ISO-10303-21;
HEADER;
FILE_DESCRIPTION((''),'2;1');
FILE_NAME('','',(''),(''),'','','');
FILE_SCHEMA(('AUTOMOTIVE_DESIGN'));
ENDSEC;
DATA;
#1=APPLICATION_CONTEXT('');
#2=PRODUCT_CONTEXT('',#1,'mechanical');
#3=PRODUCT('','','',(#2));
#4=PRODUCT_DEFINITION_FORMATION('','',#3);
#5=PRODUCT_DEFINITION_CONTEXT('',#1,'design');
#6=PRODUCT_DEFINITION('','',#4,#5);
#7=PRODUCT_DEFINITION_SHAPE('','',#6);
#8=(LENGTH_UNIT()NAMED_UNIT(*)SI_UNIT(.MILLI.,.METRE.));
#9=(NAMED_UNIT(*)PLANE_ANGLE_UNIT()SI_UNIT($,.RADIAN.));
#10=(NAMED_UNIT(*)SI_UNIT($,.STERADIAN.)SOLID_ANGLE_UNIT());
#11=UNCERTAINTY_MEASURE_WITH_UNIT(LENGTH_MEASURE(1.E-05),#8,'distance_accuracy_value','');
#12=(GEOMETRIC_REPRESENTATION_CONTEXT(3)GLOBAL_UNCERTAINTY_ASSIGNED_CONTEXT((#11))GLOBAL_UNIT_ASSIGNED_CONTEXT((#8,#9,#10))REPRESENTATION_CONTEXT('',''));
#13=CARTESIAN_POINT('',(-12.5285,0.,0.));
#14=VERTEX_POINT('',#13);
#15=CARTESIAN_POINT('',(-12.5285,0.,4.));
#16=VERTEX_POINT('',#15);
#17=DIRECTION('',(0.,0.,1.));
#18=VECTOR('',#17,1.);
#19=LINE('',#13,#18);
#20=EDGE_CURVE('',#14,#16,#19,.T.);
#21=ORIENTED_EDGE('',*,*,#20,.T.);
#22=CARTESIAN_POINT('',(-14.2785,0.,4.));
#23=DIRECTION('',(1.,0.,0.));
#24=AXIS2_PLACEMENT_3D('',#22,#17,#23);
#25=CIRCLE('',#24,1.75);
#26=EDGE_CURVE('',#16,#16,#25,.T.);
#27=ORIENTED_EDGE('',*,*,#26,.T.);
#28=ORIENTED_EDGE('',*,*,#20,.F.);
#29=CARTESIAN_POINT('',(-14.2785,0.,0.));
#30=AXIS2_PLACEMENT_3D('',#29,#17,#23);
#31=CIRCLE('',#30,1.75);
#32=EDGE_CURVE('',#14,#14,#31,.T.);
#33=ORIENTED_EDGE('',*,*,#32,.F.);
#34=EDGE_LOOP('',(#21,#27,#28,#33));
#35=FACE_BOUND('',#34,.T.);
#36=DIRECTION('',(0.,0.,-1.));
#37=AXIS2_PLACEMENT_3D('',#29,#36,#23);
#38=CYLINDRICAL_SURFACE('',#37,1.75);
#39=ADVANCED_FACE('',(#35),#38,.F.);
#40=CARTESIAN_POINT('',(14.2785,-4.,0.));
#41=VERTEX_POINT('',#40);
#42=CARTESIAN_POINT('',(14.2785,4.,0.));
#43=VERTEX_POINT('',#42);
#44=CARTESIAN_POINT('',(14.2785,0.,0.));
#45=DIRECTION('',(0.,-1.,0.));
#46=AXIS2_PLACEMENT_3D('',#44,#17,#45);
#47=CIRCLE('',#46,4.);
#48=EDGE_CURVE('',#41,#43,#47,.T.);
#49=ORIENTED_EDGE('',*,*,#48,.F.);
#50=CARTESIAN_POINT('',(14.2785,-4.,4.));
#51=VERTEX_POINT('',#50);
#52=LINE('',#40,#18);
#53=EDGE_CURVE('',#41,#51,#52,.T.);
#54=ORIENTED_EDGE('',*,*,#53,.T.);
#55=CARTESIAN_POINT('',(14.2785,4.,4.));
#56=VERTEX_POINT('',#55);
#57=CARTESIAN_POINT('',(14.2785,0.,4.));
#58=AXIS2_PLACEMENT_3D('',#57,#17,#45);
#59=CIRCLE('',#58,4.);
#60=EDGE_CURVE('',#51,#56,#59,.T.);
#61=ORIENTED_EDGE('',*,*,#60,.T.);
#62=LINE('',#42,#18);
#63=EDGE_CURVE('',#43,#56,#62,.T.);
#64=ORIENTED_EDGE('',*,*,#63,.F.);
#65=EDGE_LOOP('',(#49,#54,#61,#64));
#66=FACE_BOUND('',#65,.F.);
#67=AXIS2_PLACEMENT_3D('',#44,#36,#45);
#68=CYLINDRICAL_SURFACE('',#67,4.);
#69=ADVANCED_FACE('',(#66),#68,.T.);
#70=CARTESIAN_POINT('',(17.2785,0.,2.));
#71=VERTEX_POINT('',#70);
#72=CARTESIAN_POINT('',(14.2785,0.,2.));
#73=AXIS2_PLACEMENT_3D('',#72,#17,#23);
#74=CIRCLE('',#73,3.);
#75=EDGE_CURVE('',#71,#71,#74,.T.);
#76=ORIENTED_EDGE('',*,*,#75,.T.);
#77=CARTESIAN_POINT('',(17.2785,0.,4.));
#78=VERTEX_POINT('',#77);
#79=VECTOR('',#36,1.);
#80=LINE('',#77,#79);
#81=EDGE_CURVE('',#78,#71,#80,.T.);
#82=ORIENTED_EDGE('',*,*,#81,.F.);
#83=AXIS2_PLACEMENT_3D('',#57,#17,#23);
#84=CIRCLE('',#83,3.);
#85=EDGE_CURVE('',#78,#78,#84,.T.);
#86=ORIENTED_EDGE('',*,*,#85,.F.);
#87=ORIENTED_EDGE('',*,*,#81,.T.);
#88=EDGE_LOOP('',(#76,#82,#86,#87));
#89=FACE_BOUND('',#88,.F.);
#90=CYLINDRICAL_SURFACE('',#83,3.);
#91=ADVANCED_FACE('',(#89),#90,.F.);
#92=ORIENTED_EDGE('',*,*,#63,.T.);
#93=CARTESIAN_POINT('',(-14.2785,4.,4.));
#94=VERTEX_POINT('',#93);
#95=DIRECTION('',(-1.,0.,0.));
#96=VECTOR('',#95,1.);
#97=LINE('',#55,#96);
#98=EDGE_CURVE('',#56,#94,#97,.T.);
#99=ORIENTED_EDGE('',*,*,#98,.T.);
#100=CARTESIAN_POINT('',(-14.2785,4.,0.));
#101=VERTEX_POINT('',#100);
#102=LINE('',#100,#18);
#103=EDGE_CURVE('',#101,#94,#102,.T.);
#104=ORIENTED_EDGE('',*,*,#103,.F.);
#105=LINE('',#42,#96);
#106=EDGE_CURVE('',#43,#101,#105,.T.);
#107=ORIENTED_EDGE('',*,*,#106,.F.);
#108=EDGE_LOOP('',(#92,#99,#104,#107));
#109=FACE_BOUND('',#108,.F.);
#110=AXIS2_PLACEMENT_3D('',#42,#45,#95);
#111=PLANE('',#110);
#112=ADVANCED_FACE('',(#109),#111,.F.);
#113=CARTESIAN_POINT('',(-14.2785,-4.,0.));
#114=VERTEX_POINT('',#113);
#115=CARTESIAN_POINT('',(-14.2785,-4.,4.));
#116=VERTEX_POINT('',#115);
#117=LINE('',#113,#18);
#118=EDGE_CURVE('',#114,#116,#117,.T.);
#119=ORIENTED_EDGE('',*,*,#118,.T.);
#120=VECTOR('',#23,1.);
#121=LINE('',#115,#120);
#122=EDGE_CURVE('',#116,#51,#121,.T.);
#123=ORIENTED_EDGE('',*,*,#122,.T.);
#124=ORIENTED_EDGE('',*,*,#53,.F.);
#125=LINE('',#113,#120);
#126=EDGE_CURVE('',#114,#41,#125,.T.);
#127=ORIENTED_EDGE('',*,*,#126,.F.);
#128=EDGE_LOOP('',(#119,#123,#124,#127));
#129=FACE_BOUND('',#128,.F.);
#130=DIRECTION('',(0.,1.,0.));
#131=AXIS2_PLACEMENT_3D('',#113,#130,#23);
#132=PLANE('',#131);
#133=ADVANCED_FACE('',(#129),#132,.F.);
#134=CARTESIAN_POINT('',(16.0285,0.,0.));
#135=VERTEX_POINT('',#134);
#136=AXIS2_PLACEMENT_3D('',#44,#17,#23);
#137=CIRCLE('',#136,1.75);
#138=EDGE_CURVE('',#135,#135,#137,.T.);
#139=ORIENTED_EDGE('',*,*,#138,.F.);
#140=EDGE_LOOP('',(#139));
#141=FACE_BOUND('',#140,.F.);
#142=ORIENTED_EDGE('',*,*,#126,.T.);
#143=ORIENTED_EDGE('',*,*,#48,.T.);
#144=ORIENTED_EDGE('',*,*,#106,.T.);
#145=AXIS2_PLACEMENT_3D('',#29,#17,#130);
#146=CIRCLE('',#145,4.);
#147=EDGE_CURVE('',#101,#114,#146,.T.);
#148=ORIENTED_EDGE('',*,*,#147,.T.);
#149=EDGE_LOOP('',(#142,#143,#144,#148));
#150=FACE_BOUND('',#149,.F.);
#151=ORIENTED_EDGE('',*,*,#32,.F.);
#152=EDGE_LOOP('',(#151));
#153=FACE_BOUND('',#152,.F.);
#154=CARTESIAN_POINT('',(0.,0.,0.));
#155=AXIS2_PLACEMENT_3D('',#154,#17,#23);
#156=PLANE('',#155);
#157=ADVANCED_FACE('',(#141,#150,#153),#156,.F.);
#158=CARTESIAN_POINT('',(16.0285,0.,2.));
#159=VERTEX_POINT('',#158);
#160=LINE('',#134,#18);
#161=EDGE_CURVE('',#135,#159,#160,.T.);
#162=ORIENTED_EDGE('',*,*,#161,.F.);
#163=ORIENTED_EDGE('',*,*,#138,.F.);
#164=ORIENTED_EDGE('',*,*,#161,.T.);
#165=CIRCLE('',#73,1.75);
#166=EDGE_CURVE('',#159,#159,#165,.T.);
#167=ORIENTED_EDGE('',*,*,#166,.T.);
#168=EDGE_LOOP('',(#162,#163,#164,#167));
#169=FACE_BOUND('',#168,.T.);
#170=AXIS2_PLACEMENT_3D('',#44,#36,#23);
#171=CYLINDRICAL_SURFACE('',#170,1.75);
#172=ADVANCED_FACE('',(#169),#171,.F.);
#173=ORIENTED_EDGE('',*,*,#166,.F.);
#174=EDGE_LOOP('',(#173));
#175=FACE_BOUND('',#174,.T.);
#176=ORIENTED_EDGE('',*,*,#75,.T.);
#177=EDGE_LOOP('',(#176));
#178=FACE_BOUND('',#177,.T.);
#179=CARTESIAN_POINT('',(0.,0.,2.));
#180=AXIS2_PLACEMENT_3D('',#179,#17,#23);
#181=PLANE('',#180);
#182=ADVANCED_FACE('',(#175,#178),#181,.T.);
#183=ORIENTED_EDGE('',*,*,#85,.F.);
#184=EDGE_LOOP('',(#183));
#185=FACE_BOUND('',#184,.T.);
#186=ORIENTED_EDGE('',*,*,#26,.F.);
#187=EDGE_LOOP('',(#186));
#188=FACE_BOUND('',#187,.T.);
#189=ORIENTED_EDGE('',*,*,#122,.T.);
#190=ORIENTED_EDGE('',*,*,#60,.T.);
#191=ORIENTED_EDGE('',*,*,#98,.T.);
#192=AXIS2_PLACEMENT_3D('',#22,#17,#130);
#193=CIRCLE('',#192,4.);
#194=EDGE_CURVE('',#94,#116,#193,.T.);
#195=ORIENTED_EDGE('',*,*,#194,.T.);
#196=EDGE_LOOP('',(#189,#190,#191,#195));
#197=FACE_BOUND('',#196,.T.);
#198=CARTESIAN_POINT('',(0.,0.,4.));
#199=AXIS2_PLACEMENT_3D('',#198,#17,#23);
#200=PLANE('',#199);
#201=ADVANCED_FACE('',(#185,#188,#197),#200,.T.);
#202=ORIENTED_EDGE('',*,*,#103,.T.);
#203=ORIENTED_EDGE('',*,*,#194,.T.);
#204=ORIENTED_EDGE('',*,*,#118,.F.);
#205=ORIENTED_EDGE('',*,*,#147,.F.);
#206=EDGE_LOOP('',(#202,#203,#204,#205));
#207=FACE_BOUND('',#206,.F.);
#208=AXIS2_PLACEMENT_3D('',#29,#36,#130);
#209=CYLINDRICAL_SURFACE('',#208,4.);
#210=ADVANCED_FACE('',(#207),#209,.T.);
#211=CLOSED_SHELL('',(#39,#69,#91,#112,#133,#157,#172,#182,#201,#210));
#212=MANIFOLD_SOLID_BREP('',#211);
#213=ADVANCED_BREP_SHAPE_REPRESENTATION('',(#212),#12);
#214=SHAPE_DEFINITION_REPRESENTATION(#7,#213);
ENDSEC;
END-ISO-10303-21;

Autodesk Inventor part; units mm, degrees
ref_plane "YZ Plane" through (0, 0, 0) normal (1, 0, 0) x (0, 1, 0)
ref_plane "XZ Plane" through (0, 0, 0) normal (0, 1, 0) x (-1, 0, 0)
ref_plane "XY Plane" through (0, 0, 0) normal (0, 0, 1) x (1, 0, 0)
sketch "Sketch1" plane through (0, 0, 0) normal (0, 0, 1) x (1, 0, 0)
  line L0 (-14.2785, 0) -> (14.2785, 0) construction
  line L1 (-14.2785, -4) -> (14.2785, -4)
  line L2 (14.2785, 4) -> (-14.2785, 4)
  arc A0 (-14.2785, 4) -> (-14.2785, -4) centre (-14.2785, 0) ccw
  arc A1 (14.2785, -4) -> (14.2785, 4) centre (14.2785, 0) ccw
  circle A2 centre (-14.2785, 0) radius 1.75
  circle A3 centre (14.2785, 0) radius 1.75
  point P0 (0, 0)
  dimension "d0" = 4
  dimension "d1" = 3.5
  dimension "d2" = 3.5
  dimension "d3" = 28.557
extrude "Extrusion1" add sketch "Sketch1" along normal blind 4
sketch "Sketch2" plane through (0, 0, 4) normal (0, 0, 1) x (1, 0, 0)
  circle A0 centre (14.2785, 0) radius 1.75 projected
  circle A1 centre (14.2785, 0) radius 3
  point P0 (0, 0)
  dimension "d6" = 6
extrude "Extrusion2" cut sketch "Sketch2" against normal blind 2
properties part number "mechanism_2"
